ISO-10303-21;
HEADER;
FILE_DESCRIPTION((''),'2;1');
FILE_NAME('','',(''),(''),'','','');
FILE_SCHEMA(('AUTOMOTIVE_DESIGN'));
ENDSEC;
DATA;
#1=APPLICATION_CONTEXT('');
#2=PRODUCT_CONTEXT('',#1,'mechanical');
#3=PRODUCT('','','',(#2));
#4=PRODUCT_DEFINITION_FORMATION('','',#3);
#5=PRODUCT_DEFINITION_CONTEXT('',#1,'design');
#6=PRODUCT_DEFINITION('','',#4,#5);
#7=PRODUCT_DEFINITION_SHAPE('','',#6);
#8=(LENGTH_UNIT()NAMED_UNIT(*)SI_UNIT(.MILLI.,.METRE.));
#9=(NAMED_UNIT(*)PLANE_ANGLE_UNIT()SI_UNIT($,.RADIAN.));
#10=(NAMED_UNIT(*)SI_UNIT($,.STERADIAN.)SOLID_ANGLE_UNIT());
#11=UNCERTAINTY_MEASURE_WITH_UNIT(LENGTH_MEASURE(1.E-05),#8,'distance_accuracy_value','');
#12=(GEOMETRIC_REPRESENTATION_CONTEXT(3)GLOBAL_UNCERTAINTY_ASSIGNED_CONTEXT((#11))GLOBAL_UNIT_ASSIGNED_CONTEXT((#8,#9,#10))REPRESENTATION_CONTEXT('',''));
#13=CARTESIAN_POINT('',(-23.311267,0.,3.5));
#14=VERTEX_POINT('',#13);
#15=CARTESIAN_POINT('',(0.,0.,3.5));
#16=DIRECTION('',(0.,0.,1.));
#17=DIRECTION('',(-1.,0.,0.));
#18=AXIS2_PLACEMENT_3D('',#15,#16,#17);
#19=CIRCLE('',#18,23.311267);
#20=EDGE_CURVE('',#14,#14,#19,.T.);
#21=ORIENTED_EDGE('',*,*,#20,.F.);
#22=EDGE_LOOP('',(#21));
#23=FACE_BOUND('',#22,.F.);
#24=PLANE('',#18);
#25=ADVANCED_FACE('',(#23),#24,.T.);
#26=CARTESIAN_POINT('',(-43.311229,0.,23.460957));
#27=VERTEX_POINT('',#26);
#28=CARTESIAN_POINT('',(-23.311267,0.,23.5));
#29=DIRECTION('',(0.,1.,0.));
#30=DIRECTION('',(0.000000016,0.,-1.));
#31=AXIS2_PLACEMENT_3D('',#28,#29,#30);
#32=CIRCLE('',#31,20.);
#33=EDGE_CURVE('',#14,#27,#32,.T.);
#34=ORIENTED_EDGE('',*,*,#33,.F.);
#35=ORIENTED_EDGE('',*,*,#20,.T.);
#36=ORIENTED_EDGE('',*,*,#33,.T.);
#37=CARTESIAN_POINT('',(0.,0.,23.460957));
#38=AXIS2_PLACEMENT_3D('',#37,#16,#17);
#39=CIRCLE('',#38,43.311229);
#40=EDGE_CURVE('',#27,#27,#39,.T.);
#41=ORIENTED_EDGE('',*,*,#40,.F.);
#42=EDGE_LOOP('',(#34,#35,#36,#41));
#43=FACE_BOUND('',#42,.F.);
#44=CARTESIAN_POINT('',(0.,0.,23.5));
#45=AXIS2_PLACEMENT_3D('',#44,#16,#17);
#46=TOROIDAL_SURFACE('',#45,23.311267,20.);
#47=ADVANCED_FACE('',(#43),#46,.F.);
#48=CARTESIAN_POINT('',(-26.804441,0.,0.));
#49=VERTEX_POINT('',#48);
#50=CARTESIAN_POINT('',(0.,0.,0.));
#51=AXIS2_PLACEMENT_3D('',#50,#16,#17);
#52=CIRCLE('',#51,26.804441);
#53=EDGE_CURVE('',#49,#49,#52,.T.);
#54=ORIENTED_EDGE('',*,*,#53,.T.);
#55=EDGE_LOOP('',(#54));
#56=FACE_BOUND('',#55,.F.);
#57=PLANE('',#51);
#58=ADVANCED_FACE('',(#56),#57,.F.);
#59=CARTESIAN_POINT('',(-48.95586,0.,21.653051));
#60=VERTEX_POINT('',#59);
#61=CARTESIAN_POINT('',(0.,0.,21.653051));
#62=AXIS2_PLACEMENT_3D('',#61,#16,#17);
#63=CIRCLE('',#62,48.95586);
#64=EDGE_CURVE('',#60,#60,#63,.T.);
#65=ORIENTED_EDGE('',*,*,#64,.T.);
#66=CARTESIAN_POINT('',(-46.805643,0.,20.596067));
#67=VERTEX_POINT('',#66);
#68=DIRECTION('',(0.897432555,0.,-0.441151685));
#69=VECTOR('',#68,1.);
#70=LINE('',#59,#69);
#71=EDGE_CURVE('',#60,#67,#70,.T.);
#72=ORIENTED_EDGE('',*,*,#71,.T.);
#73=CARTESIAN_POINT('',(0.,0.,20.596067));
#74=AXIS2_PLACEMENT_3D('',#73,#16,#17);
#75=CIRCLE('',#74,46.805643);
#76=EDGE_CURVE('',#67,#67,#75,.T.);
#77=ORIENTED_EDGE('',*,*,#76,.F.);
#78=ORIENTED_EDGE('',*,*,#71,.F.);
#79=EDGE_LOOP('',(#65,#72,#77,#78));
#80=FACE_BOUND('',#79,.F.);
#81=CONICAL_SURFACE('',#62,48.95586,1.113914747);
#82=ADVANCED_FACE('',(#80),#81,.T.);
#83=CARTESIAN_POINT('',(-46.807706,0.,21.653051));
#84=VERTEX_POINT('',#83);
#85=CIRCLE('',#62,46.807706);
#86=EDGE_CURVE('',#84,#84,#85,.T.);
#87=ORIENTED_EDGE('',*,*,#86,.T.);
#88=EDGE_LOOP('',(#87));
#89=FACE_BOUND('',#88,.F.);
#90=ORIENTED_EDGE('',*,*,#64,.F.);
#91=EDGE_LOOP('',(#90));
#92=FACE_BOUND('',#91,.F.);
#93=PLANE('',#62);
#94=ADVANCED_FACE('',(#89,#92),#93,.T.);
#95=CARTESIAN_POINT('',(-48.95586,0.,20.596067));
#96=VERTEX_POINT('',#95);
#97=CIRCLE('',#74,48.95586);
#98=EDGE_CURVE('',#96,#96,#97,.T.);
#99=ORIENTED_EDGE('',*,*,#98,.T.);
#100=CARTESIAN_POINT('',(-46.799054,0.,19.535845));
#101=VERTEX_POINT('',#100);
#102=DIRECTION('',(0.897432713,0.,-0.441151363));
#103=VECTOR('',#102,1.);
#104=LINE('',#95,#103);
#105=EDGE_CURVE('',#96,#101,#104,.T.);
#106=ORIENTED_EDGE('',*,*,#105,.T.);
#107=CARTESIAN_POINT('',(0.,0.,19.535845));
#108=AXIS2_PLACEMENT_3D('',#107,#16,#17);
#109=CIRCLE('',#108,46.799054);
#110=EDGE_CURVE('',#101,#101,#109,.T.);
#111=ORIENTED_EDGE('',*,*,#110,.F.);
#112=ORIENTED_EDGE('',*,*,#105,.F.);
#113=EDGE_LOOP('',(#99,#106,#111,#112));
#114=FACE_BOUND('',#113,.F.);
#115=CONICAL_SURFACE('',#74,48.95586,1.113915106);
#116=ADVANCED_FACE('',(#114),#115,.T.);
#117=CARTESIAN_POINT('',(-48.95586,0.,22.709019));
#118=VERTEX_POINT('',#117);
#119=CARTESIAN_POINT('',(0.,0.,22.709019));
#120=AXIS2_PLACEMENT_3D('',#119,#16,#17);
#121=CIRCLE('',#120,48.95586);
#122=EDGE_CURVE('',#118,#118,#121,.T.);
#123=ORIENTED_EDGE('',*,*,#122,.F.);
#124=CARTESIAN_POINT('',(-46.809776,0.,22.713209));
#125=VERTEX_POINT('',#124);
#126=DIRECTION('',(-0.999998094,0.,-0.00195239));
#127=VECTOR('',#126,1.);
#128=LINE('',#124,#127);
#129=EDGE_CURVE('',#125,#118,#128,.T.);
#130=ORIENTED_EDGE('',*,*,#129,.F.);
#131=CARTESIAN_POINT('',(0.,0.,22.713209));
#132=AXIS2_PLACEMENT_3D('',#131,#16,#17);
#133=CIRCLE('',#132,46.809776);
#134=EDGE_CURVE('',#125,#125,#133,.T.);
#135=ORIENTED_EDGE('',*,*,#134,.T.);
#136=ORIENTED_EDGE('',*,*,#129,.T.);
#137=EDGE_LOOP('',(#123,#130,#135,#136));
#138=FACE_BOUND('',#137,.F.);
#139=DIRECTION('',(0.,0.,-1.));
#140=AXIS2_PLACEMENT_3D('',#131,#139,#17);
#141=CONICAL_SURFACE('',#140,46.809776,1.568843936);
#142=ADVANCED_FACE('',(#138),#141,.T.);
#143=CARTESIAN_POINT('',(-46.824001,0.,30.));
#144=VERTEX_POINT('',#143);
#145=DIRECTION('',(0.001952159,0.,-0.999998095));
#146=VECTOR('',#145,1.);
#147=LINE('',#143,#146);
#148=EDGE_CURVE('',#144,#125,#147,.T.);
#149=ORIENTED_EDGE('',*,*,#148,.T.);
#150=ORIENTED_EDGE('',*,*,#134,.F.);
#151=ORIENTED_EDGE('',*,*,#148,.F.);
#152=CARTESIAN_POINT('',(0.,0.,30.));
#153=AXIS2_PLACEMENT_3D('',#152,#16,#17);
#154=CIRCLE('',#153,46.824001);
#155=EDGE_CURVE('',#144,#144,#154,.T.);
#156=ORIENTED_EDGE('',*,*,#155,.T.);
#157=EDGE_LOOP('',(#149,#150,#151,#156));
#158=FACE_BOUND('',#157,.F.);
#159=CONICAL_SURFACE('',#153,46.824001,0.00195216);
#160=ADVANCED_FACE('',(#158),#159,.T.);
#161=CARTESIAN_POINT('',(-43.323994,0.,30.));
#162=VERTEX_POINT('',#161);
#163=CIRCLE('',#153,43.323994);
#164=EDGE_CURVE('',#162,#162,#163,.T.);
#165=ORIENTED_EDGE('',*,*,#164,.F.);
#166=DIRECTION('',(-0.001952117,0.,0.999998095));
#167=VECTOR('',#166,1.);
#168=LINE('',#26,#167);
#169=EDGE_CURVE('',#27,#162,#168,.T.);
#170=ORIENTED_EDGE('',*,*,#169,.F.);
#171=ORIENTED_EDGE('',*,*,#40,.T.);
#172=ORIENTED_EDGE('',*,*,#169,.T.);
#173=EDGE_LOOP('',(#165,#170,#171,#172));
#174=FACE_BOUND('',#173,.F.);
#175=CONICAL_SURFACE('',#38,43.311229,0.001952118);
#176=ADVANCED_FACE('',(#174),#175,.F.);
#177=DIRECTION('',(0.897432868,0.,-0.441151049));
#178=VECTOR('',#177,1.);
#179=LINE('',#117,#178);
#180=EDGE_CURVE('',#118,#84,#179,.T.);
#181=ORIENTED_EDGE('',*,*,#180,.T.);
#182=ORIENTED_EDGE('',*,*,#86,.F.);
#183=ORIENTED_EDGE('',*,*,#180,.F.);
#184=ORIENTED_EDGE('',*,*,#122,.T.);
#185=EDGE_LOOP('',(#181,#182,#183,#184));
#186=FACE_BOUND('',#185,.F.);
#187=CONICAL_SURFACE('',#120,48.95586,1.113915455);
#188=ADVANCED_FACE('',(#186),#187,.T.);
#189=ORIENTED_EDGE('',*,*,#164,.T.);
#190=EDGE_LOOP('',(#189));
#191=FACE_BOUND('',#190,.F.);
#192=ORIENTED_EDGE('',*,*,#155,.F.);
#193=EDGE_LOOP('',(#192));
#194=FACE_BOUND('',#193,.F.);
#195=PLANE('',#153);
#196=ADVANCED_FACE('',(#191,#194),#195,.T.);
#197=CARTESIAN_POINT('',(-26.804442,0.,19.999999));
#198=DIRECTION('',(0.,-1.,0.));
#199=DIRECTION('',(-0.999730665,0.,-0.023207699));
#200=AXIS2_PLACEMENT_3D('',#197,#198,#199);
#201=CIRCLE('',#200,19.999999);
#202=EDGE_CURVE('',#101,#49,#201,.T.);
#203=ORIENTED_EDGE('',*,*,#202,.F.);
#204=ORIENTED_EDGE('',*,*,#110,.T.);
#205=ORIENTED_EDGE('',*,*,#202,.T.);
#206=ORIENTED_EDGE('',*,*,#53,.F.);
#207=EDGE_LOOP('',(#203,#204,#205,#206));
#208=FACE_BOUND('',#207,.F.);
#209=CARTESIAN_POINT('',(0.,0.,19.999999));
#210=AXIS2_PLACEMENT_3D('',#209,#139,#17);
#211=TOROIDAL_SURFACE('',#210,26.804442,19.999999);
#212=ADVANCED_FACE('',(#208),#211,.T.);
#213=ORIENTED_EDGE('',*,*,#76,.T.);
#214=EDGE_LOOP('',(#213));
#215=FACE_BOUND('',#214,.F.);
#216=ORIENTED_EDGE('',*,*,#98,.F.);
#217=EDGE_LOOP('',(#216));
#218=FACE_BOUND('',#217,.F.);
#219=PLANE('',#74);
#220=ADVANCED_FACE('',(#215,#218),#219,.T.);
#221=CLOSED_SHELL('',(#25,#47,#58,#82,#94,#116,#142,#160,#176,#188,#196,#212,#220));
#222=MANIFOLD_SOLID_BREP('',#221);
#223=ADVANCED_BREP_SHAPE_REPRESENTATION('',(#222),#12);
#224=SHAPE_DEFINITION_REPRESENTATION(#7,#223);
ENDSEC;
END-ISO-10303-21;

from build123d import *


with BuildPart() as f1:
    # F0 (on Front) → F1 (revolve)
    with BuildSketch(Plane.XZ):
        with BuildLine():
            Line((-26.804441, 0), (0, 0))
            Line((0, 0), (0, 3.5))
            Line((0, 3.5), (-23.311267, 3.5))
            ThreePointArc((-23.311267, 3.5), (-37.439592, 9.344067), (-43.311229, 23.460957))
            Line((-43.311229, 23.460957), (-43.323994, 30))
            Line((-43.323994, 30), (-46.824001, 30))
            Line((-46.824001, 30), (-46.809776, 22.713209))
            Line((-46.809776, 22.713209), (-46.807706, 21.653051))
            Line((-46.807706, 21.653051), (-46.805643, 20.596067))
            Line((-46.805643, 20.596067), (-46.804403, 19.960957))
            ThreePointArc((-46.804403, 19.960957), (-46.802858, 19.748387), (-46.799054, 19.535845))
            ThreePointArc((-46.799054, 19.535845), (-40.78151, 5.694702), (-26.804441, 0))
        make_face()
        Polygon((-48.95586, 22.709019), (-46.807706, 21.653051), (-46.809776, 22.713209), align=None)
        Polygon((-48.95586, 21.653051), (-46.805643, 20.596067), (-46.807706, 21.653051), align=None)
        with BuildLine():
            Line((-48.95586, 20.596067), (-46.799054, 19.535845))
            ThreePointArc((-46.799054, 19.535845), (-46.802858, 19.748387), (-46.804403, 19.960957))
            Line((-46.804403, 19.960957), (-46.805643, 20.596067))
            Line((-46.805643, 20.596067), (-48.95586, 20.596067))
        make_face()
    revolve(axis=Axis((0, 0, 15), (0, 0, 1)))


solid = f1.part
